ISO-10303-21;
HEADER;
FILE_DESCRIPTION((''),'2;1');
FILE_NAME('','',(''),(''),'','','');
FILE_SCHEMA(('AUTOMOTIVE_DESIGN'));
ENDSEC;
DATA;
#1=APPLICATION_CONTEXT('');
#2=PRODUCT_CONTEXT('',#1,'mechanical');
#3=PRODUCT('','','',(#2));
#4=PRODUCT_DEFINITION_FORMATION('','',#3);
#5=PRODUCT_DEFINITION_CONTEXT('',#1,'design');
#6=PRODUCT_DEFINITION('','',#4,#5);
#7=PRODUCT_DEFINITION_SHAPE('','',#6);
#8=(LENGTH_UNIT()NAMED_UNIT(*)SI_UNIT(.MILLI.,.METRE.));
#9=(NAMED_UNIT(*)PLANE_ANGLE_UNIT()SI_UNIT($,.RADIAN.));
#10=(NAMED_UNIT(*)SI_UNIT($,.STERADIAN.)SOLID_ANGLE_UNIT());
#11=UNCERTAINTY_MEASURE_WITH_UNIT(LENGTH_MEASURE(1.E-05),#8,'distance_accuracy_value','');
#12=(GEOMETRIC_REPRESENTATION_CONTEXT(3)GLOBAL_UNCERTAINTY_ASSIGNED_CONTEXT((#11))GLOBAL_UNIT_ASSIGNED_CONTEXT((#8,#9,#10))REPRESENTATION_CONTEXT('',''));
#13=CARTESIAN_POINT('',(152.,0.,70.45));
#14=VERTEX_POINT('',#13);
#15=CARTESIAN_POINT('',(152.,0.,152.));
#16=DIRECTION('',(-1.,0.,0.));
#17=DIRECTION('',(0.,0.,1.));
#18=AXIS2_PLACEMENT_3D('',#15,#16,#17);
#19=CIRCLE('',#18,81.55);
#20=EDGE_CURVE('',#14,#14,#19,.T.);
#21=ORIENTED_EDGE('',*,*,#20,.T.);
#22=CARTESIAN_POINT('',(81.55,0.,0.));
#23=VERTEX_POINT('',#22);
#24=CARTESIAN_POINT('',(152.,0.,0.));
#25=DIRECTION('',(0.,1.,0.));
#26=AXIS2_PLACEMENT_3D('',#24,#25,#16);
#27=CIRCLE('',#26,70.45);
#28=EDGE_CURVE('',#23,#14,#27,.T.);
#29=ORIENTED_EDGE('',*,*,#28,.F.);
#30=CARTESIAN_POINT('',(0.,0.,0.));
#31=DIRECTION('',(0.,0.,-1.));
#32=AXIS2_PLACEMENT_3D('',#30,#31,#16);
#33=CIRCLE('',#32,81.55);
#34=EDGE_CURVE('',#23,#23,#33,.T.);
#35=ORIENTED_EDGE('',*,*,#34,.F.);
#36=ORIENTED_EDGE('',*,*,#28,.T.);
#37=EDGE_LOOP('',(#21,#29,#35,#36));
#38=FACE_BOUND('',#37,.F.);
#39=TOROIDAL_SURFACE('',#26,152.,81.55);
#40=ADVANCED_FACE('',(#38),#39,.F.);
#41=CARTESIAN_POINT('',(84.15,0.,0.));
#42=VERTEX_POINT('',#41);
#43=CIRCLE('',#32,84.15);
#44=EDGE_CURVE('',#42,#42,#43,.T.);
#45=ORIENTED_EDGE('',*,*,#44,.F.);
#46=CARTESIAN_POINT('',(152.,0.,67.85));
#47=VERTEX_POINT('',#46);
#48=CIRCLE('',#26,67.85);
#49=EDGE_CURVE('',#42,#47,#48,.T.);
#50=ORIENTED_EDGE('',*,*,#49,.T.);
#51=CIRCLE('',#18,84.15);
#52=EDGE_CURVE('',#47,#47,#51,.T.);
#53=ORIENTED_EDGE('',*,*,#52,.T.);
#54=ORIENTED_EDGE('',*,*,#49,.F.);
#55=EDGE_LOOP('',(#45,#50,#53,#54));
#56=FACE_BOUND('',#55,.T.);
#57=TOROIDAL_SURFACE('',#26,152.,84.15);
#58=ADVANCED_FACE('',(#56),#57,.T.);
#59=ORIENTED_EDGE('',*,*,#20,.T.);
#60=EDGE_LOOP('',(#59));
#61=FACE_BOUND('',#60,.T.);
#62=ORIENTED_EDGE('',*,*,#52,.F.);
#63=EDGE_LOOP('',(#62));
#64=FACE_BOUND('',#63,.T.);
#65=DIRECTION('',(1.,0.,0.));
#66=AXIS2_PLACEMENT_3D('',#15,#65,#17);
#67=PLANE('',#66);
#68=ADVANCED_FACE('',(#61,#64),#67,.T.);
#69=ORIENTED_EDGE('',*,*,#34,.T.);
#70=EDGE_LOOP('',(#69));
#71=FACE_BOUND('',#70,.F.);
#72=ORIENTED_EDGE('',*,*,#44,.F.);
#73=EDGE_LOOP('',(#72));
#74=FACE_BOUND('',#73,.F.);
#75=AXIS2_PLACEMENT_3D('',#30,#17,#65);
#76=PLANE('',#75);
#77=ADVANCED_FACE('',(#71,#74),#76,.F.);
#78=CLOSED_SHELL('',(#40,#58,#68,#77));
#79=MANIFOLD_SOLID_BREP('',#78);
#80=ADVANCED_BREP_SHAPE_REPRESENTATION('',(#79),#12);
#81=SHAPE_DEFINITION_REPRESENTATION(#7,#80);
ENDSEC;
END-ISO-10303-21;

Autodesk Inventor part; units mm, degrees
ref_plane "YZ Plane" through (0, 0, 0) normal (1, 0, 0) x (0, 1, 0)
ref_plane "XZ Plane" through (0, 0, 0) normal (0, 1, 0) x (-1, 0, 0)
ref_plane "XY Plane" through (0, 0, 0) normal (0, 0, 1) x (1, 0, 0)
sketch "Sketch1" plane through (0, 0, 0) normal (0, 0, 1) x (1, 0, 0)
  circle A0 centre (0, 0) radius 81.55
  circle A1 centre (0, 0) radius 84.15
  dimension "d0" = 163.1
  dimension "d1" = 168.3
sketch "Sketch2" plane through (0, 0, 0) normal (0, 1, 0) x (-1, 0, 0)
  line L0 (0, 0) -> (0, 152) construction
  line L1 (0, 152) -> (-152, 152) construction
  arc A0 (0, 0) -> (-152, 152) centre (-152, 0) ccw
  dimension "d2" = 152
  dimension "d3" = 152
sweep "Sweep1" add profiles "Sketch1" path "Sketch2"
equation "\"d0\" = -2 * s1 + da"
equation "\"d1\" = da"
equation "\"d2\" = r"
equation "\"d3\" = r"
equation "\"da\" = 168.3"
equation "\"r\" = 152"
equation "\"s1\" = 2.6"
equation "\"Size_Designation\" = 1.2345"
properties part number "DIN 2605 90 Deg Elbow Type 2 168.3 - 2.6S" material "Steel"
